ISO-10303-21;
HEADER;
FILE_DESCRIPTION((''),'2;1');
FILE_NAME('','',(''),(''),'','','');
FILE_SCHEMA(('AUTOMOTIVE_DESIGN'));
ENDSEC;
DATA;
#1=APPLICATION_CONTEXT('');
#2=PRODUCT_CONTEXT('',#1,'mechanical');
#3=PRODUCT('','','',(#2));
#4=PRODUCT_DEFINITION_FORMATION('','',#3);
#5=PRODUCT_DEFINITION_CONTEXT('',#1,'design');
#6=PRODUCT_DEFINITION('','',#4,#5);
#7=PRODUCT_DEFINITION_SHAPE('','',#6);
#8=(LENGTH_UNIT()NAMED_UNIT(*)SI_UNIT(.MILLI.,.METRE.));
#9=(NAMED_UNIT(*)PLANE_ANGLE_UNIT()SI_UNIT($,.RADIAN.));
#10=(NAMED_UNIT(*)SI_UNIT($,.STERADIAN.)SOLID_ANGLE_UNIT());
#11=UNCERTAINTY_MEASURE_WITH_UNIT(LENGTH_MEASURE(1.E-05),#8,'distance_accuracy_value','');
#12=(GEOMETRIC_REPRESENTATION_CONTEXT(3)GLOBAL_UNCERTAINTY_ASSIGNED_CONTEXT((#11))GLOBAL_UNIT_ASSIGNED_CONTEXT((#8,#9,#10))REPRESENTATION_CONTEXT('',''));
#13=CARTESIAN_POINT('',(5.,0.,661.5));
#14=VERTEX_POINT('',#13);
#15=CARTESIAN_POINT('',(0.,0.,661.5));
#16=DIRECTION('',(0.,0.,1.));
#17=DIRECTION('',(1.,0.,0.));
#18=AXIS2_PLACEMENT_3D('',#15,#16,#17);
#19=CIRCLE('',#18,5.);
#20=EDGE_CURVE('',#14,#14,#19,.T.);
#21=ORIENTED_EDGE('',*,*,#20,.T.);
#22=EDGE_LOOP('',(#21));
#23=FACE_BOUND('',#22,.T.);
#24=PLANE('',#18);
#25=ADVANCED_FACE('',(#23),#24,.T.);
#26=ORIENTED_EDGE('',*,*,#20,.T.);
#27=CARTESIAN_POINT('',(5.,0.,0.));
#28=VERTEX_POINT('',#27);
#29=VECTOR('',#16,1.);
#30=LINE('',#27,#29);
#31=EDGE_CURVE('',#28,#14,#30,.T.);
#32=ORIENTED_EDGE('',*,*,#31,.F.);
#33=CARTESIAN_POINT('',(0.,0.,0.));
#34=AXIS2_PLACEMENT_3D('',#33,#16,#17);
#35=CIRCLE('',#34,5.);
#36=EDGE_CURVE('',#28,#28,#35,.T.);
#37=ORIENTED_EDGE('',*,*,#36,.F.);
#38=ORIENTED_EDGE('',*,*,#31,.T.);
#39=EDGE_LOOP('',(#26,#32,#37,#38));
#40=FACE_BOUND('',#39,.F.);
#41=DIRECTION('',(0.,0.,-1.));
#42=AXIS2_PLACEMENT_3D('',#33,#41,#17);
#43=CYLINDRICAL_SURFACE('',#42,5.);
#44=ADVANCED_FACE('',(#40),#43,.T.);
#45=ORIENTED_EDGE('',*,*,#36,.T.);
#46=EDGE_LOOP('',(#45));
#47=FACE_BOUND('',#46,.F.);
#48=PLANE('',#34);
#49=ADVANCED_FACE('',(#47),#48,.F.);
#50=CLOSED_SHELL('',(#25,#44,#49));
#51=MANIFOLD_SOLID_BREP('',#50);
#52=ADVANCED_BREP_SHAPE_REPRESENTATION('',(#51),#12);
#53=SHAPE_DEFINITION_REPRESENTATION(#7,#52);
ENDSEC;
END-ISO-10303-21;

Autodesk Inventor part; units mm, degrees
ref_plane "YZ Plane" through (0, 0, 0) normal (1, 0, 0) x (0, 1, 0)
ref_plane "XZ Plane" through (0, 0, 0) normal (0, 1, 0) x (-1, 0, 0)
ref_plane "XY Plane" through (0, 0, 0) normal (0, 0, 1) x (1, 0, 0)
sketch "Sketch1" plane through (0, 0, 0) normal (0, 0, 1) x (1, 0, 0)
  circle A0 centre (0, 0) radius 5
  dimension "d0" = 10
extrude "Extrusion1" add sketch "Sketch1" along normal blind 661.5
thread "Thread2" size "M10x1.5" class "6g" standard "ANSI Metric M Profile" full length
properties part number "barras M10"
